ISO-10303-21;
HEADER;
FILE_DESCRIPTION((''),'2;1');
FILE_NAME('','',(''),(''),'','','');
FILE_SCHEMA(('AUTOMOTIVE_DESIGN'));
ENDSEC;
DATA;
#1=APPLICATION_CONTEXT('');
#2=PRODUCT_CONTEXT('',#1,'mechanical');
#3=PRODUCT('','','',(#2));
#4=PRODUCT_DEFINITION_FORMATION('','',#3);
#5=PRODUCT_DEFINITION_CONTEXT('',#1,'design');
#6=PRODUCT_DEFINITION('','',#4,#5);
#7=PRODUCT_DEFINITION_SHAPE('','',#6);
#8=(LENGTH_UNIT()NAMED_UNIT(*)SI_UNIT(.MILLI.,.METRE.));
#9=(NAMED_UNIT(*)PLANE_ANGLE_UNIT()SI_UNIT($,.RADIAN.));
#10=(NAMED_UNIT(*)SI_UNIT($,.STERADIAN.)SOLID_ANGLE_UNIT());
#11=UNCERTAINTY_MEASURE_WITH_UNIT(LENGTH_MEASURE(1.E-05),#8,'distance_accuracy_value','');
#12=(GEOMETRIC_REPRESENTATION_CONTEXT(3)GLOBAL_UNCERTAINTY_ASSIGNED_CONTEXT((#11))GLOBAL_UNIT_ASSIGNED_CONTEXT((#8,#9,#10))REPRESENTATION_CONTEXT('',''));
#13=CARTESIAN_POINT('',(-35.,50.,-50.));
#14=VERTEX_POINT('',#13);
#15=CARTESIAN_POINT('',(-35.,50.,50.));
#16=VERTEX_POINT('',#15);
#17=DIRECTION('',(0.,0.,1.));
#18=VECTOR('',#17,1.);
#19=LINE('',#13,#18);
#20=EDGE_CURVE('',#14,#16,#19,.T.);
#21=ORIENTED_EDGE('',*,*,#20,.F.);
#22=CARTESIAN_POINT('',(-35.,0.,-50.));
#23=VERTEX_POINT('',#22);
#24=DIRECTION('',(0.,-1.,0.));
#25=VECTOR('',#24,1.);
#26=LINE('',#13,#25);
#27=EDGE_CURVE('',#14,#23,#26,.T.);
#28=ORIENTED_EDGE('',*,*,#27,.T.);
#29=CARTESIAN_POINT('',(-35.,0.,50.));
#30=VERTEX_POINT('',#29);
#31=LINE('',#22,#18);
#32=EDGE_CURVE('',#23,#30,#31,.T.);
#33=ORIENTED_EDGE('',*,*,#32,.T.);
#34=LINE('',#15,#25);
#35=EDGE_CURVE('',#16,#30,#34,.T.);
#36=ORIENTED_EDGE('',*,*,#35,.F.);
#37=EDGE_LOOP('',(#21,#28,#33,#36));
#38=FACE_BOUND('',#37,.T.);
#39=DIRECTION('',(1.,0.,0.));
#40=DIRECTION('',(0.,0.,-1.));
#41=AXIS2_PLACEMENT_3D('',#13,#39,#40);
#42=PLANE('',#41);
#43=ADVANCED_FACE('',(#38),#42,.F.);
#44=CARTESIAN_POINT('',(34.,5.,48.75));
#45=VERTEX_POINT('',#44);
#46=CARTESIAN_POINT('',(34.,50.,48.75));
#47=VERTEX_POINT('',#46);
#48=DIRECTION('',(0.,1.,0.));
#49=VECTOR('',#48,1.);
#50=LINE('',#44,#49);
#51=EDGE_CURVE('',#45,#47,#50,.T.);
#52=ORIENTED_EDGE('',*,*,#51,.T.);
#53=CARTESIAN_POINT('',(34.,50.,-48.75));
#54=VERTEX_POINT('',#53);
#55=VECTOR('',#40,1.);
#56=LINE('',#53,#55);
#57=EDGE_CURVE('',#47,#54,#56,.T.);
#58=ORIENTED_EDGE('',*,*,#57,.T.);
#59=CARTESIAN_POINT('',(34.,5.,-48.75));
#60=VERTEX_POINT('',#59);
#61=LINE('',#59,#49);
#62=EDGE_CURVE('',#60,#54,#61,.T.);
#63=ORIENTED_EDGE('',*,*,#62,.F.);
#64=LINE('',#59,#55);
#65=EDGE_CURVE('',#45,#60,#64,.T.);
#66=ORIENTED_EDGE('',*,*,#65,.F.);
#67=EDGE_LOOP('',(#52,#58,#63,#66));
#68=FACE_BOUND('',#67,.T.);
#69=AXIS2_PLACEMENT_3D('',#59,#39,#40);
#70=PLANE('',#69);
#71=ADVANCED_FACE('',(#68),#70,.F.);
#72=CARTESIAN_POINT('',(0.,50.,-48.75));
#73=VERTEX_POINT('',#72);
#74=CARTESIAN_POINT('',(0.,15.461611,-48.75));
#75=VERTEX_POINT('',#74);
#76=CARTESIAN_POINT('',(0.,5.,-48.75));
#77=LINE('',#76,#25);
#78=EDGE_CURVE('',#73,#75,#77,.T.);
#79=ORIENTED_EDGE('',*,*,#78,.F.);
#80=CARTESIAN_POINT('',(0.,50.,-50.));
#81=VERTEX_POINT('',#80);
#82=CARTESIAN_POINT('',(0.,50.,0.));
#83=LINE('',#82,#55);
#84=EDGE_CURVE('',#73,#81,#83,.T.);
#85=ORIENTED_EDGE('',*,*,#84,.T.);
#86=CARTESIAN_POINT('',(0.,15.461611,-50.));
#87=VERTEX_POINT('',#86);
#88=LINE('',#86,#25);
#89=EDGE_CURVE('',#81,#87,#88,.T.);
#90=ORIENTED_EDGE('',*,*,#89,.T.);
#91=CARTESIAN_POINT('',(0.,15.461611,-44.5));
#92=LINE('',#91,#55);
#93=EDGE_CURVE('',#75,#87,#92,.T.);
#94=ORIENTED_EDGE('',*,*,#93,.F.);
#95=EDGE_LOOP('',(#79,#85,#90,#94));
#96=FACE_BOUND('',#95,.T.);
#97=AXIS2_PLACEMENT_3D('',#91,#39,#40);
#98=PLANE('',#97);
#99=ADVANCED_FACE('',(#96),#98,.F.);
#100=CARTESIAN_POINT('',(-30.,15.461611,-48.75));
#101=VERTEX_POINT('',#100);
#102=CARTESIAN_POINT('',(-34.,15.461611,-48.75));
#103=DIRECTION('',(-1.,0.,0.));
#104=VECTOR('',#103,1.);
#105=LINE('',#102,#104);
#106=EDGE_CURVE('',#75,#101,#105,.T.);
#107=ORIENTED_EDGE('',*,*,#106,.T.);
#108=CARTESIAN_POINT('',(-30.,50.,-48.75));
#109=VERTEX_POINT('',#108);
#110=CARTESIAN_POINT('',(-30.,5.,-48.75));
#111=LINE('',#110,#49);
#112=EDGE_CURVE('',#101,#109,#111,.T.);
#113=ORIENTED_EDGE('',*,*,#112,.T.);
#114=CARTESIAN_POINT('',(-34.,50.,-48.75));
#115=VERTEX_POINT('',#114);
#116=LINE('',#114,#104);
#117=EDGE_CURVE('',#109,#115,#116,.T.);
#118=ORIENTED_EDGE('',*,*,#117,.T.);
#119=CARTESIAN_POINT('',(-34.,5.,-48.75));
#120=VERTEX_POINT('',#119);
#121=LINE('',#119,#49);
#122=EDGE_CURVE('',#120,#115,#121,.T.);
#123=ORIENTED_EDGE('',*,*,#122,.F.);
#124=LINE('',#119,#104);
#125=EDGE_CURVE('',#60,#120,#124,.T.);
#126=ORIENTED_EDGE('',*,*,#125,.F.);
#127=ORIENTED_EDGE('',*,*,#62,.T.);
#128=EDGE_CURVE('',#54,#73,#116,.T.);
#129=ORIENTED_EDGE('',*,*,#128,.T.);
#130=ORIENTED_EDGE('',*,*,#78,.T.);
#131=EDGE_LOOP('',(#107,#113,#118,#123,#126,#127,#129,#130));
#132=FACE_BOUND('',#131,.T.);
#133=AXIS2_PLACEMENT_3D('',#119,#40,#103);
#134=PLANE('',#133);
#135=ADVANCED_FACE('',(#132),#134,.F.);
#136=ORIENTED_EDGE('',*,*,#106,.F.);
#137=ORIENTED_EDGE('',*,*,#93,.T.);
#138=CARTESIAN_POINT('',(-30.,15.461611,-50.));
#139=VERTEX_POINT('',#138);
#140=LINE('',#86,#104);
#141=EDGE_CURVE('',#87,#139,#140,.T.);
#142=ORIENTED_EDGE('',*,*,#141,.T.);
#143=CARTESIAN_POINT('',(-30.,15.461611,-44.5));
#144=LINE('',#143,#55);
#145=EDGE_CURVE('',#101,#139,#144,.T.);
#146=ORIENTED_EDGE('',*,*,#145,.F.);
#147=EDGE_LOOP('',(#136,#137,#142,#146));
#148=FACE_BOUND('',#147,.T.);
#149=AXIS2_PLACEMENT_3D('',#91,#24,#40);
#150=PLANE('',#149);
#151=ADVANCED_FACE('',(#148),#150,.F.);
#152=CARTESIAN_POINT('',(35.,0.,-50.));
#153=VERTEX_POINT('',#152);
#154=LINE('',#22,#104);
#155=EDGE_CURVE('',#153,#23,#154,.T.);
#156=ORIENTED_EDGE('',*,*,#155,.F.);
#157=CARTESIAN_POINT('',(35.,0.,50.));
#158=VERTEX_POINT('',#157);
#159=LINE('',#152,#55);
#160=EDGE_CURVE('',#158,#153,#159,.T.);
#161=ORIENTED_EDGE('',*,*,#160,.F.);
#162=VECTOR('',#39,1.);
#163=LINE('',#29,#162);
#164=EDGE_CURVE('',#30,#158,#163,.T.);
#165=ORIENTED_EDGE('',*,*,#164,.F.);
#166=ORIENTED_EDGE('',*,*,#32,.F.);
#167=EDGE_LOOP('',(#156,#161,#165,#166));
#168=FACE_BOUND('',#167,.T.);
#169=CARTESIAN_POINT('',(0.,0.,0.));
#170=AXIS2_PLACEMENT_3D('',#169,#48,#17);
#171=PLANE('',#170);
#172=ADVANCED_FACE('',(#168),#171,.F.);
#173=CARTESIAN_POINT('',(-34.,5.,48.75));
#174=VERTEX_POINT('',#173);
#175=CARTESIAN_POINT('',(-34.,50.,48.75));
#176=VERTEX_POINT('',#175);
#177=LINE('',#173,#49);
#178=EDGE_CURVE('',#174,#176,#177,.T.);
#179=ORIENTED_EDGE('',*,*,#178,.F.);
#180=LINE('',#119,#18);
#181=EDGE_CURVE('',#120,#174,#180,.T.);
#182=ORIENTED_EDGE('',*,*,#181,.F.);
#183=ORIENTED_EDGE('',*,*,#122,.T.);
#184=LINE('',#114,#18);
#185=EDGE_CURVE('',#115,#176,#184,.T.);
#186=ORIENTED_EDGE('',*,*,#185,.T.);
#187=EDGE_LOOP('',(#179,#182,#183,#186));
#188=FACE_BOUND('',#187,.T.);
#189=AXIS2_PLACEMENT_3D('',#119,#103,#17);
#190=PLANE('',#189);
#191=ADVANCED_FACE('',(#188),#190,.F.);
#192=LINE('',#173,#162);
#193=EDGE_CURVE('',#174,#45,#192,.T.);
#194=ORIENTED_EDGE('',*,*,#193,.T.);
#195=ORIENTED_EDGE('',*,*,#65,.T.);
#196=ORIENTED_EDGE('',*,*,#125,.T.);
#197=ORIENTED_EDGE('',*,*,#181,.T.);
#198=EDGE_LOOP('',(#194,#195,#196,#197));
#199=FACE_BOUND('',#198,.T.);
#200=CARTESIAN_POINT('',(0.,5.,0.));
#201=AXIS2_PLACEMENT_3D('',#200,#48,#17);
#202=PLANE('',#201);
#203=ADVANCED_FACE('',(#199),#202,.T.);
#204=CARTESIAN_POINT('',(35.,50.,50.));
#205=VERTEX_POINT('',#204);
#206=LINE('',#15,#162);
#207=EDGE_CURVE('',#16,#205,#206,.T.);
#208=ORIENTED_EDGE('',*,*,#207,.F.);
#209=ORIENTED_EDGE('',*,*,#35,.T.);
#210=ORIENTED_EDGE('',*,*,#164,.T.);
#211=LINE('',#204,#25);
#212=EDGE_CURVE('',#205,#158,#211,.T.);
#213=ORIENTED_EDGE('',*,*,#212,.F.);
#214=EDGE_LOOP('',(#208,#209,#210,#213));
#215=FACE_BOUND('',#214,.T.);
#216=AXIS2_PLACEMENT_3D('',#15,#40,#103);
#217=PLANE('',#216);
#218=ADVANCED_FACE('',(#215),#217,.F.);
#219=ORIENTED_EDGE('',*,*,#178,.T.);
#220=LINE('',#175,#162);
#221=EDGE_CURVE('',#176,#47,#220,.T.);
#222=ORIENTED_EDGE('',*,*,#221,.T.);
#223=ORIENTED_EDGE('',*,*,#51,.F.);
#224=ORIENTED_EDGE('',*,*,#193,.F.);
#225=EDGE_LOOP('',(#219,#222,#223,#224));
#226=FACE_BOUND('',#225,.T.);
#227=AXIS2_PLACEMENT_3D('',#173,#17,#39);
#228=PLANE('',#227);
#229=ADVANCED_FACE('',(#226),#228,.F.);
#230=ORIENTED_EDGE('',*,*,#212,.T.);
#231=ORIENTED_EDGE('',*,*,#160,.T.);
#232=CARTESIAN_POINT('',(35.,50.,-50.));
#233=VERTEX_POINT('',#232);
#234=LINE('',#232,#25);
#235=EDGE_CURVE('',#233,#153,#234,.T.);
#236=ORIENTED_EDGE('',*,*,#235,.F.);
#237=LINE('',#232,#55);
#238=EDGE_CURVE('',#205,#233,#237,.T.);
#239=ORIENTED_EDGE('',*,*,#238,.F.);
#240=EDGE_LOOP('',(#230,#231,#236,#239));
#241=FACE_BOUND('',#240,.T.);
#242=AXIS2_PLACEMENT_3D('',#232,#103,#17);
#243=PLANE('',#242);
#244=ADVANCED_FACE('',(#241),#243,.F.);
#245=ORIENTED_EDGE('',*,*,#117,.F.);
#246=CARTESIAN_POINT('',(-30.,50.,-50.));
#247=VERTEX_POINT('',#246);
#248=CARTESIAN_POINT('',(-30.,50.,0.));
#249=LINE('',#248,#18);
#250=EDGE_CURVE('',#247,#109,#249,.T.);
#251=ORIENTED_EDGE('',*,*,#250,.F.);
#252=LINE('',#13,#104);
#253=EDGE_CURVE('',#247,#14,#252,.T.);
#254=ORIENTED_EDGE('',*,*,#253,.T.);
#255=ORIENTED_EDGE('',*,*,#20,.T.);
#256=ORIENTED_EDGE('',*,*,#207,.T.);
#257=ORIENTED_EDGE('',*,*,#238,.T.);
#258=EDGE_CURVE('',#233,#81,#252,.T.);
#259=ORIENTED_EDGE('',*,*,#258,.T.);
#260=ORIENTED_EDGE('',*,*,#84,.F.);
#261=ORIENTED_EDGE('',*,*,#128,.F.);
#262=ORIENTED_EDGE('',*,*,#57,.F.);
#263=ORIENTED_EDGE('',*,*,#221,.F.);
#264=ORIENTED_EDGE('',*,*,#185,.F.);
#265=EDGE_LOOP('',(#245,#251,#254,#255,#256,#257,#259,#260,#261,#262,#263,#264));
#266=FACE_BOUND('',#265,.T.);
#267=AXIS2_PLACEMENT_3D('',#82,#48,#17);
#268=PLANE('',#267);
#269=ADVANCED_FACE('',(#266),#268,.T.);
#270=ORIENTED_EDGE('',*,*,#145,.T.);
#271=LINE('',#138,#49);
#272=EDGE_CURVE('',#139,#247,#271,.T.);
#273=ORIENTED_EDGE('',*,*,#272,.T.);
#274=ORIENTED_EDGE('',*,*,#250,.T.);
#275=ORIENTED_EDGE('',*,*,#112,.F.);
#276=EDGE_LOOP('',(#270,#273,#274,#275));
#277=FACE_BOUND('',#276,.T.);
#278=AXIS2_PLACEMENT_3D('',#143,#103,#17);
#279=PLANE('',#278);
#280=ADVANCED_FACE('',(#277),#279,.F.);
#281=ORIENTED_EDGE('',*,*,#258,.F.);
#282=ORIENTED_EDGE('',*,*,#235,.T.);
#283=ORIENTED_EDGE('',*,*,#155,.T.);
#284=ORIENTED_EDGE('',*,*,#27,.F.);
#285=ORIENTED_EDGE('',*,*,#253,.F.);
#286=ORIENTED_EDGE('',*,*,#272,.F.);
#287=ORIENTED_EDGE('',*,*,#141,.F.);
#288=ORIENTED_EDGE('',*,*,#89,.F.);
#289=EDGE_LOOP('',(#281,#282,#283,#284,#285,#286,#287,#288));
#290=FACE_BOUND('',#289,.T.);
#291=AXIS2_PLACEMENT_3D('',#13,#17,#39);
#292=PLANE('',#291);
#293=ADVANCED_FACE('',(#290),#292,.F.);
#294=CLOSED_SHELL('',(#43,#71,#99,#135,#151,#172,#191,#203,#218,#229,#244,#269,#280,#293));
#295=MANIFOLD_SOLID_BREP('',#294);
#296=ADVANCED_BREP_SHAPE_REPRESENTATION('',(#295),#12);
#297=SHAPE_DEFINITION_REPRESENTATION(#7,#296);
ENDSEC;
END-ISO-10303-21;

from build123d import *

# Parameters (mm, degrees)
SKETCH1_W           = 70
SKETCH1_H           = 100
BOSS_EXTRUDE1_DEPTH = 50
SKETCH3_W           = 68
SKETCH3_H           = 97.5
CUT_EXTRUDE1_DEPTH  = 45
SKETCH5_W           = 30
SKETCH5_H           = 40
CUT_EXTRUDE2_DEPTH  = 5.5


with BuildPart() as part:
    # Sketch1 → Boss-Extrude1 (new body)
    with BuildSketch(Plane(origin=(0, 0, 0), x_dir=(1, 0, 0), z_dir=(0, 1, 0))):
        Rectangle(SKETCH1_W, SKETCH1_H)
    extrude(amount=BOSS_EXTRUDE1_DEPTH)

    # Sketch3 → Cut-Extrude1 (cut)
    with BuildSketch(Plane(origin=(0, 50, 0), x_dir=(1, 0, 0), z_dir=(0, 1, 0))):
        Rectangle(SKETCH3_W, SKETCH3_H)
    extrude(amount=-CUT_EXTRUDE1_DEPTH, mode=Mode.SUBTRACT)

    # Sketch5 → Cut-Extrude2 (cut)
    with BuildSketch(Plane(origin=(0, 0, -50), x_dir=(-1, 0, 0), z_dir=(0, 0, -1))):
        with Locations((15, 35.461610705)):
            Rectangle(SKETCH5_W, SKETCH5_H)
    extrude(amount=-CUT_EXTRUDE2_DEPTH, mode=Mode.SUBTRACT)


solid = part.part
